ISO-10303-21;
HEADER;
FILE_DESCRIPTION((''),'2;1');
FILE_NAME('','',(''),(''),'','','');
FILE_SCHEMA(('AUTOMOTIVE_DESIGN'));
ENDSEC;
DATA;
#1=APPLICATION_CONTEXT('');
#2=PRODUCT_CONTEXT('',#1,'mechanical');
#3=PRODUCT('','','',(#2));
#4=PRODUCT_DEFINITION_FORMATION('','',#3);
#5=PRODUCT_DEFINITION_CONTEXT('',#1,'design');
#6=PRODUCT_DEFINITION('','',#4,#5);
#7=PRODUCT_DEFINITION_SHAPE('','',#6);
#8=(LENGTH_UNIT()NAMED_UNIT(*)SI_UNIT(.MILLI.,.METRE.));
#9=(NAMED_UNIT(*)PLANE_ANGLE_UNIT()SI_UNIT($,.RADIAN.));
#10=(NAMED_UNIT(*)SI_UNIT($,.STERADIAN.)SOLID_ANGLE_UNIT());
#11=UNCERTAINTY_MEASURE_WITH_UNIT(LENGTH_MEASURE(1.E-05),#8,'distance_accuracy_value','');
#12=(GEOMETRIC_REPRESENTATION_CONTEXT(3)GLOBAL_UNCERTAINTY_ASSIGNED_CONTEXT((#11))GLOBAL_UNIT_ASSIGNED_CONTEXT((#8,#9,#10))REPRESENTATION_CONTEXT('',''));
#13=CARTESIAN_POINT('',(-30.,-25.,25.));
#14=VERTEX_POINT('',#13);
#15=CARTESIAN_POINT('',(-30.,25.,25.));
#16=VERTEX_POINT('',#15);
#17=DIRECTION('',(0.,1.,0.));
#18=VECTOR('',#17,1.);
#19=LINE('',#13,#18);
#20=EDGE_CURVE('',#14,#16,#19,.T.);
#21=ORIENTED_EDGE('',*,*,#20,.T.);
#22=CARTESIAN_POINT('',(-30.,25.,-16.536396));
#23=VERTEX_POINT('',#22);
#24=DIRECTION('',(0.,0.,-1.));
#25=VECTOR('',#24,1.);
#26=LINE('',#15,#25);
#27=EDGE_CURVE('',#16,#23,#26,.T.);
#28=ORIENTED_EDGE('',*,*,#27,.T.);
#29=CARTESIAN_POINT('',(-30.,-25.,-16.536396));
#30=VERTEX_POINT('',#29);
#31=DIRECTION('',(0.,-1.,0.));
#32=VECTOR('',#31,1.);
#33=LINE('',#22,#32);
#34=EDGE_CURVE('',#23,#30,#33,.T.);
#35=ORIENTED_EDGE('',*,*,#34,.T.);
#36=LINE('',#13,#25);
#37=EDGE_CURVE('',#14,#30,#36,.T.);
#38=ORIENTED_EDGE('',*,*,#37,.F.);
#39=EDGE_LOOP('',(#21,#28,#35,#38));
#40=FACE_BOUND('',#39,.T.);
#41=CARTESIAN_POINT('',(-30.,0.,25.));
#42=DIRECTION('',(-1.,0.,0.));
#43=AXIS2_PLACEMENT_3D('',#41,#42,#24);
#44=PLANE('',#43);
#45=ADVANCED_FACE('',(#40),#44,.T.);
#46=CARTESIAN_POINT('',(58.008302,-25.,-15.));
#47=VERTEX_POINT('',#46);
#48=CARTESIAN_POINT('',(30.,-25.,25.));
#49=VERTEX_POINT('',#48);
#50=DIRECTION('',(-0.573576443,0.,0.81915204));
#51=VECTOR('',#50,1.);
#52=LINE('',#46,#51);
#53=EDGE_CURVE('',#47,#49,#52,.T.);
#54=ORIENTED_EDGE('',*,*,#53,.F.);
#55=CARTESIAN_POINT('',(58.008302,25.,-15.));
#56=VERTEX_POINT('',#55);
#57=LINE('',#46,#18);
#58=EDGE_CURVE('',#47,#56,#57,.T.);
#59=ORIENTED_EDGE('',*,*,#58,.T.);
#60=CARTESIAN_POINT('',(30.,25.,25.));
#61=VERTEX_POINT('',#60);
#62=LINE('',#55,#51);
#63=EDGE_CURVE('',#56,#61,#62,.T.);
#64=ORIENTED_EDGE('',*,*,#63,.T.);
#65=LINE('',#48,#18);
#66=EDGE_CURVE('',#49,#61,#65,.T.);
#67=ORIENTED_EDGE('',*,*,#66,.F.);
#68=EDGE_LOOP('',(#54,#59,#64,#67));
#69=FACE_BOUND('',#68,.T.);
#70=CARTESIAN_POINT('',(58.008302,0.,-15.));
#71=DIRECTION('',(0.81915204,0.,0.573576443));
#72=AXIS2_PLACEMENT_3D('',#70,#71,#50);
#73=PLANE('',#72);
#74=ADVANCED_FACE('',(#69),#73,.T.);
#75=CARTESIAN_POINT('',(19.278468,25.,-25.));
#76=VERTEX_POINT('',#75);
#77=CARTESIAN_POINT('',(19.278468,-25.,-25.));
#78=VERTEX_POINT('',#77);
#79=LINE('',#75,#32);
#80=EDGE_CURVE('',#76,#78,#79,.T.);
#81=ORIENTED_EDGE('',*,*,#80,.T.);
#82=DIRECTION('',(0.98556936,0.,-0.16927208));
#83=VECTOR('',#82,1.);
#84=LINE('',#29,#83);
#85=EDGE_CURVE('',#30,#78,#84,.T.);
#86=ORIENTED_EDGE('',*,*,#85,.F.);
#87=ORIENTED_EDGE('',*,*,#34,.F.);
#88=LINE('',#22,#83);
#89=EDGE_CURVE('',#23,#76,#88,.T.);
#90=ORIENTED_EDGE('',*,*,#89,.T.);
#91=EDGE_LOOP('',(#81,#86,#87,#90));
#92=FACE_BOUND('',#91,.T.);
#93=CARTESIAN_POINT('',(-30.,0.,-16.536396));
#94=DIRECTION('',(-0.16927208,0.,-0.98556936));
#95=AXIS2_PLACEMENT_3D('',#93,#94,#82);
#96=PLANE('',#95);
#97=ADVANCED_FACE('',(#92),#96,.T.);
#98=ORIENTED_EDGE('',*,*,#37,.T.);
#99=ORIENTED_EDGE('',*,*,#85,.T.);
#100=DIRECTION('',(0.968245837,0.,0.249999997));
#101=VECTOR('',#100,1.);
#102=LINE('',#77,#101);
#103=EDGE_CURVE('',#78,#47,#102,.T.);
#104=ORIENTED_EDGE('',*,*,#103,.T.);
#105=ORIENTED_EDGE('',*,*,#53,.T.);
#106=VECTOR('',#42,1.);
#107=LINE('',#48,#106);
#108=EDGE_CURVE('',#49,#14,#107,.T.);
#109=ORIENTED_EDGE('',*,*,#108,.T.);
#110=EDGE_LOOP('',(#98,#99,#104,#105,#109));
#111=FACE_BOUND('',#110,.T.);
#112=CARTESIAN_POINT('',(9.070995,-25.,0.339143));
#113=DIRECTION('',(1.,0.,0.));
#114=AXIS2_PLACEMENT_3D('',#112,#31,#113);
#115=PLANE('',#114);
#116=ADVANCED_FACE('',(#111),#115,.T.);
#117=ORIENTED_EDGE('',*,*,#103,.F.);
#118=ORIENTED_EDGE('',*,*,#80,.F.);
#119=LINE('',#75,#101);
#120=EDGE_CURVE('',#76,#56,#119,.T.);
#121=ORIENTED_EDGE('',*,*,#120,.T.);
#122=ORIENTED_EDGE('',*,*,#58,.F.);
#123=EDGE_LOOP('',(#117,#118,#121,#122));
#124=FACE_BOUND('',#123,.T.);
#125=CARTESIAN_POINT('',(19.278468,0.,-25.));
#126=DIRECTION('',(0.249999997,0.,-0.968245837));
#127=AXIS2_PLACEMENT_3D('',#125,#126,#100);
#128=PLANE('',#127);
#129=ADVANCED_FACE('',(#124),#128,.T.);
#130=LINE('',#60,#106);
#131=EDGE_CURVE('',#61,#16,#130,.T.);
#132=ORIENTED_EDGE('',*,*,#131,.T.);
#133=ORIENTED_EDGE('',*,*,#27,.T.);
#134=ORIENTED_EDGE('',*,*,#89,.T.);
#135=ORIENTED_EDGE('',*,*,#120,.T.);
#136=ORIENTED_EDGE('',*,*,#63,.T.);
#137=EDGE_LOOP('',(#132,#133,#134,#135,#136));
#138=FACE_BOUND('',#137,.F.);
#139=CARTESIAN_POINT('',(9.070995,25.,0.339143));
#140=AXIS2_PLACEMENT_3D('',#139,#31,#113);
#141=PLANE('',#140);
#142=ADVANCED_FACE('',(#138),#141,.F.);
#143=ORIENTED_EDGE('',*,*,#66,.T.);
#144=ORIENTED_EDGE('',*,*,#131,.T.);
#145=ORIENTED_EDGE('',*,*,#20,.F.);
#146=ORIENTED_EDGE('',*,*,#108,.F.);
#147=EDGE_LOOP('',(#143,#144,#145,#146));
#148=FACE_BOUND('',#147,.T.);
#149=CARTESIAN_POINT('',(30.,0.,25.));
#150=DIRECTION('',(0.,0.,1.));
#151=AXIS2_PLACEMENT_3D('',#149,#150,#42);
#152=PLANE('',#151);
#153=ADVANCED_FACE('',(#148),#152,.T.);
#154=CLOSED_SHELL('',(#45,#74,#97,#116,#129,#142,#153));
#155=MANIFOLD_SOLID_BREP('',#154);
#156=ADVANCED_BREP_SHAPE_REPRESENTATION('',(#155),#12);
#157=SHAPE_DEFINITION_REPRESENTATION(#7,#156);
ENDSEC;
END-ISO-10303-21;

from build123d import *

# Parameters (mm, degrees)
F1_DEPTH      = 25
F1_DEPTH_BACK = 25


with BuildPart() as f1:
    # F0 (on Front) → F1 (new body, two sides)
    with BuildSketch(Plane.XZ) as f1_sk:
        Polygon((-30, 25), (-30, 0), (-30, -16.536396), (19.278468, -25), (58.008302, -15), (30, 25), align=None)
    extrude(amount=F1_DEPTH)
    extrude(f1_sk.sketch, amount=-F1_DEPTH_BACK)


solid = f1.part
